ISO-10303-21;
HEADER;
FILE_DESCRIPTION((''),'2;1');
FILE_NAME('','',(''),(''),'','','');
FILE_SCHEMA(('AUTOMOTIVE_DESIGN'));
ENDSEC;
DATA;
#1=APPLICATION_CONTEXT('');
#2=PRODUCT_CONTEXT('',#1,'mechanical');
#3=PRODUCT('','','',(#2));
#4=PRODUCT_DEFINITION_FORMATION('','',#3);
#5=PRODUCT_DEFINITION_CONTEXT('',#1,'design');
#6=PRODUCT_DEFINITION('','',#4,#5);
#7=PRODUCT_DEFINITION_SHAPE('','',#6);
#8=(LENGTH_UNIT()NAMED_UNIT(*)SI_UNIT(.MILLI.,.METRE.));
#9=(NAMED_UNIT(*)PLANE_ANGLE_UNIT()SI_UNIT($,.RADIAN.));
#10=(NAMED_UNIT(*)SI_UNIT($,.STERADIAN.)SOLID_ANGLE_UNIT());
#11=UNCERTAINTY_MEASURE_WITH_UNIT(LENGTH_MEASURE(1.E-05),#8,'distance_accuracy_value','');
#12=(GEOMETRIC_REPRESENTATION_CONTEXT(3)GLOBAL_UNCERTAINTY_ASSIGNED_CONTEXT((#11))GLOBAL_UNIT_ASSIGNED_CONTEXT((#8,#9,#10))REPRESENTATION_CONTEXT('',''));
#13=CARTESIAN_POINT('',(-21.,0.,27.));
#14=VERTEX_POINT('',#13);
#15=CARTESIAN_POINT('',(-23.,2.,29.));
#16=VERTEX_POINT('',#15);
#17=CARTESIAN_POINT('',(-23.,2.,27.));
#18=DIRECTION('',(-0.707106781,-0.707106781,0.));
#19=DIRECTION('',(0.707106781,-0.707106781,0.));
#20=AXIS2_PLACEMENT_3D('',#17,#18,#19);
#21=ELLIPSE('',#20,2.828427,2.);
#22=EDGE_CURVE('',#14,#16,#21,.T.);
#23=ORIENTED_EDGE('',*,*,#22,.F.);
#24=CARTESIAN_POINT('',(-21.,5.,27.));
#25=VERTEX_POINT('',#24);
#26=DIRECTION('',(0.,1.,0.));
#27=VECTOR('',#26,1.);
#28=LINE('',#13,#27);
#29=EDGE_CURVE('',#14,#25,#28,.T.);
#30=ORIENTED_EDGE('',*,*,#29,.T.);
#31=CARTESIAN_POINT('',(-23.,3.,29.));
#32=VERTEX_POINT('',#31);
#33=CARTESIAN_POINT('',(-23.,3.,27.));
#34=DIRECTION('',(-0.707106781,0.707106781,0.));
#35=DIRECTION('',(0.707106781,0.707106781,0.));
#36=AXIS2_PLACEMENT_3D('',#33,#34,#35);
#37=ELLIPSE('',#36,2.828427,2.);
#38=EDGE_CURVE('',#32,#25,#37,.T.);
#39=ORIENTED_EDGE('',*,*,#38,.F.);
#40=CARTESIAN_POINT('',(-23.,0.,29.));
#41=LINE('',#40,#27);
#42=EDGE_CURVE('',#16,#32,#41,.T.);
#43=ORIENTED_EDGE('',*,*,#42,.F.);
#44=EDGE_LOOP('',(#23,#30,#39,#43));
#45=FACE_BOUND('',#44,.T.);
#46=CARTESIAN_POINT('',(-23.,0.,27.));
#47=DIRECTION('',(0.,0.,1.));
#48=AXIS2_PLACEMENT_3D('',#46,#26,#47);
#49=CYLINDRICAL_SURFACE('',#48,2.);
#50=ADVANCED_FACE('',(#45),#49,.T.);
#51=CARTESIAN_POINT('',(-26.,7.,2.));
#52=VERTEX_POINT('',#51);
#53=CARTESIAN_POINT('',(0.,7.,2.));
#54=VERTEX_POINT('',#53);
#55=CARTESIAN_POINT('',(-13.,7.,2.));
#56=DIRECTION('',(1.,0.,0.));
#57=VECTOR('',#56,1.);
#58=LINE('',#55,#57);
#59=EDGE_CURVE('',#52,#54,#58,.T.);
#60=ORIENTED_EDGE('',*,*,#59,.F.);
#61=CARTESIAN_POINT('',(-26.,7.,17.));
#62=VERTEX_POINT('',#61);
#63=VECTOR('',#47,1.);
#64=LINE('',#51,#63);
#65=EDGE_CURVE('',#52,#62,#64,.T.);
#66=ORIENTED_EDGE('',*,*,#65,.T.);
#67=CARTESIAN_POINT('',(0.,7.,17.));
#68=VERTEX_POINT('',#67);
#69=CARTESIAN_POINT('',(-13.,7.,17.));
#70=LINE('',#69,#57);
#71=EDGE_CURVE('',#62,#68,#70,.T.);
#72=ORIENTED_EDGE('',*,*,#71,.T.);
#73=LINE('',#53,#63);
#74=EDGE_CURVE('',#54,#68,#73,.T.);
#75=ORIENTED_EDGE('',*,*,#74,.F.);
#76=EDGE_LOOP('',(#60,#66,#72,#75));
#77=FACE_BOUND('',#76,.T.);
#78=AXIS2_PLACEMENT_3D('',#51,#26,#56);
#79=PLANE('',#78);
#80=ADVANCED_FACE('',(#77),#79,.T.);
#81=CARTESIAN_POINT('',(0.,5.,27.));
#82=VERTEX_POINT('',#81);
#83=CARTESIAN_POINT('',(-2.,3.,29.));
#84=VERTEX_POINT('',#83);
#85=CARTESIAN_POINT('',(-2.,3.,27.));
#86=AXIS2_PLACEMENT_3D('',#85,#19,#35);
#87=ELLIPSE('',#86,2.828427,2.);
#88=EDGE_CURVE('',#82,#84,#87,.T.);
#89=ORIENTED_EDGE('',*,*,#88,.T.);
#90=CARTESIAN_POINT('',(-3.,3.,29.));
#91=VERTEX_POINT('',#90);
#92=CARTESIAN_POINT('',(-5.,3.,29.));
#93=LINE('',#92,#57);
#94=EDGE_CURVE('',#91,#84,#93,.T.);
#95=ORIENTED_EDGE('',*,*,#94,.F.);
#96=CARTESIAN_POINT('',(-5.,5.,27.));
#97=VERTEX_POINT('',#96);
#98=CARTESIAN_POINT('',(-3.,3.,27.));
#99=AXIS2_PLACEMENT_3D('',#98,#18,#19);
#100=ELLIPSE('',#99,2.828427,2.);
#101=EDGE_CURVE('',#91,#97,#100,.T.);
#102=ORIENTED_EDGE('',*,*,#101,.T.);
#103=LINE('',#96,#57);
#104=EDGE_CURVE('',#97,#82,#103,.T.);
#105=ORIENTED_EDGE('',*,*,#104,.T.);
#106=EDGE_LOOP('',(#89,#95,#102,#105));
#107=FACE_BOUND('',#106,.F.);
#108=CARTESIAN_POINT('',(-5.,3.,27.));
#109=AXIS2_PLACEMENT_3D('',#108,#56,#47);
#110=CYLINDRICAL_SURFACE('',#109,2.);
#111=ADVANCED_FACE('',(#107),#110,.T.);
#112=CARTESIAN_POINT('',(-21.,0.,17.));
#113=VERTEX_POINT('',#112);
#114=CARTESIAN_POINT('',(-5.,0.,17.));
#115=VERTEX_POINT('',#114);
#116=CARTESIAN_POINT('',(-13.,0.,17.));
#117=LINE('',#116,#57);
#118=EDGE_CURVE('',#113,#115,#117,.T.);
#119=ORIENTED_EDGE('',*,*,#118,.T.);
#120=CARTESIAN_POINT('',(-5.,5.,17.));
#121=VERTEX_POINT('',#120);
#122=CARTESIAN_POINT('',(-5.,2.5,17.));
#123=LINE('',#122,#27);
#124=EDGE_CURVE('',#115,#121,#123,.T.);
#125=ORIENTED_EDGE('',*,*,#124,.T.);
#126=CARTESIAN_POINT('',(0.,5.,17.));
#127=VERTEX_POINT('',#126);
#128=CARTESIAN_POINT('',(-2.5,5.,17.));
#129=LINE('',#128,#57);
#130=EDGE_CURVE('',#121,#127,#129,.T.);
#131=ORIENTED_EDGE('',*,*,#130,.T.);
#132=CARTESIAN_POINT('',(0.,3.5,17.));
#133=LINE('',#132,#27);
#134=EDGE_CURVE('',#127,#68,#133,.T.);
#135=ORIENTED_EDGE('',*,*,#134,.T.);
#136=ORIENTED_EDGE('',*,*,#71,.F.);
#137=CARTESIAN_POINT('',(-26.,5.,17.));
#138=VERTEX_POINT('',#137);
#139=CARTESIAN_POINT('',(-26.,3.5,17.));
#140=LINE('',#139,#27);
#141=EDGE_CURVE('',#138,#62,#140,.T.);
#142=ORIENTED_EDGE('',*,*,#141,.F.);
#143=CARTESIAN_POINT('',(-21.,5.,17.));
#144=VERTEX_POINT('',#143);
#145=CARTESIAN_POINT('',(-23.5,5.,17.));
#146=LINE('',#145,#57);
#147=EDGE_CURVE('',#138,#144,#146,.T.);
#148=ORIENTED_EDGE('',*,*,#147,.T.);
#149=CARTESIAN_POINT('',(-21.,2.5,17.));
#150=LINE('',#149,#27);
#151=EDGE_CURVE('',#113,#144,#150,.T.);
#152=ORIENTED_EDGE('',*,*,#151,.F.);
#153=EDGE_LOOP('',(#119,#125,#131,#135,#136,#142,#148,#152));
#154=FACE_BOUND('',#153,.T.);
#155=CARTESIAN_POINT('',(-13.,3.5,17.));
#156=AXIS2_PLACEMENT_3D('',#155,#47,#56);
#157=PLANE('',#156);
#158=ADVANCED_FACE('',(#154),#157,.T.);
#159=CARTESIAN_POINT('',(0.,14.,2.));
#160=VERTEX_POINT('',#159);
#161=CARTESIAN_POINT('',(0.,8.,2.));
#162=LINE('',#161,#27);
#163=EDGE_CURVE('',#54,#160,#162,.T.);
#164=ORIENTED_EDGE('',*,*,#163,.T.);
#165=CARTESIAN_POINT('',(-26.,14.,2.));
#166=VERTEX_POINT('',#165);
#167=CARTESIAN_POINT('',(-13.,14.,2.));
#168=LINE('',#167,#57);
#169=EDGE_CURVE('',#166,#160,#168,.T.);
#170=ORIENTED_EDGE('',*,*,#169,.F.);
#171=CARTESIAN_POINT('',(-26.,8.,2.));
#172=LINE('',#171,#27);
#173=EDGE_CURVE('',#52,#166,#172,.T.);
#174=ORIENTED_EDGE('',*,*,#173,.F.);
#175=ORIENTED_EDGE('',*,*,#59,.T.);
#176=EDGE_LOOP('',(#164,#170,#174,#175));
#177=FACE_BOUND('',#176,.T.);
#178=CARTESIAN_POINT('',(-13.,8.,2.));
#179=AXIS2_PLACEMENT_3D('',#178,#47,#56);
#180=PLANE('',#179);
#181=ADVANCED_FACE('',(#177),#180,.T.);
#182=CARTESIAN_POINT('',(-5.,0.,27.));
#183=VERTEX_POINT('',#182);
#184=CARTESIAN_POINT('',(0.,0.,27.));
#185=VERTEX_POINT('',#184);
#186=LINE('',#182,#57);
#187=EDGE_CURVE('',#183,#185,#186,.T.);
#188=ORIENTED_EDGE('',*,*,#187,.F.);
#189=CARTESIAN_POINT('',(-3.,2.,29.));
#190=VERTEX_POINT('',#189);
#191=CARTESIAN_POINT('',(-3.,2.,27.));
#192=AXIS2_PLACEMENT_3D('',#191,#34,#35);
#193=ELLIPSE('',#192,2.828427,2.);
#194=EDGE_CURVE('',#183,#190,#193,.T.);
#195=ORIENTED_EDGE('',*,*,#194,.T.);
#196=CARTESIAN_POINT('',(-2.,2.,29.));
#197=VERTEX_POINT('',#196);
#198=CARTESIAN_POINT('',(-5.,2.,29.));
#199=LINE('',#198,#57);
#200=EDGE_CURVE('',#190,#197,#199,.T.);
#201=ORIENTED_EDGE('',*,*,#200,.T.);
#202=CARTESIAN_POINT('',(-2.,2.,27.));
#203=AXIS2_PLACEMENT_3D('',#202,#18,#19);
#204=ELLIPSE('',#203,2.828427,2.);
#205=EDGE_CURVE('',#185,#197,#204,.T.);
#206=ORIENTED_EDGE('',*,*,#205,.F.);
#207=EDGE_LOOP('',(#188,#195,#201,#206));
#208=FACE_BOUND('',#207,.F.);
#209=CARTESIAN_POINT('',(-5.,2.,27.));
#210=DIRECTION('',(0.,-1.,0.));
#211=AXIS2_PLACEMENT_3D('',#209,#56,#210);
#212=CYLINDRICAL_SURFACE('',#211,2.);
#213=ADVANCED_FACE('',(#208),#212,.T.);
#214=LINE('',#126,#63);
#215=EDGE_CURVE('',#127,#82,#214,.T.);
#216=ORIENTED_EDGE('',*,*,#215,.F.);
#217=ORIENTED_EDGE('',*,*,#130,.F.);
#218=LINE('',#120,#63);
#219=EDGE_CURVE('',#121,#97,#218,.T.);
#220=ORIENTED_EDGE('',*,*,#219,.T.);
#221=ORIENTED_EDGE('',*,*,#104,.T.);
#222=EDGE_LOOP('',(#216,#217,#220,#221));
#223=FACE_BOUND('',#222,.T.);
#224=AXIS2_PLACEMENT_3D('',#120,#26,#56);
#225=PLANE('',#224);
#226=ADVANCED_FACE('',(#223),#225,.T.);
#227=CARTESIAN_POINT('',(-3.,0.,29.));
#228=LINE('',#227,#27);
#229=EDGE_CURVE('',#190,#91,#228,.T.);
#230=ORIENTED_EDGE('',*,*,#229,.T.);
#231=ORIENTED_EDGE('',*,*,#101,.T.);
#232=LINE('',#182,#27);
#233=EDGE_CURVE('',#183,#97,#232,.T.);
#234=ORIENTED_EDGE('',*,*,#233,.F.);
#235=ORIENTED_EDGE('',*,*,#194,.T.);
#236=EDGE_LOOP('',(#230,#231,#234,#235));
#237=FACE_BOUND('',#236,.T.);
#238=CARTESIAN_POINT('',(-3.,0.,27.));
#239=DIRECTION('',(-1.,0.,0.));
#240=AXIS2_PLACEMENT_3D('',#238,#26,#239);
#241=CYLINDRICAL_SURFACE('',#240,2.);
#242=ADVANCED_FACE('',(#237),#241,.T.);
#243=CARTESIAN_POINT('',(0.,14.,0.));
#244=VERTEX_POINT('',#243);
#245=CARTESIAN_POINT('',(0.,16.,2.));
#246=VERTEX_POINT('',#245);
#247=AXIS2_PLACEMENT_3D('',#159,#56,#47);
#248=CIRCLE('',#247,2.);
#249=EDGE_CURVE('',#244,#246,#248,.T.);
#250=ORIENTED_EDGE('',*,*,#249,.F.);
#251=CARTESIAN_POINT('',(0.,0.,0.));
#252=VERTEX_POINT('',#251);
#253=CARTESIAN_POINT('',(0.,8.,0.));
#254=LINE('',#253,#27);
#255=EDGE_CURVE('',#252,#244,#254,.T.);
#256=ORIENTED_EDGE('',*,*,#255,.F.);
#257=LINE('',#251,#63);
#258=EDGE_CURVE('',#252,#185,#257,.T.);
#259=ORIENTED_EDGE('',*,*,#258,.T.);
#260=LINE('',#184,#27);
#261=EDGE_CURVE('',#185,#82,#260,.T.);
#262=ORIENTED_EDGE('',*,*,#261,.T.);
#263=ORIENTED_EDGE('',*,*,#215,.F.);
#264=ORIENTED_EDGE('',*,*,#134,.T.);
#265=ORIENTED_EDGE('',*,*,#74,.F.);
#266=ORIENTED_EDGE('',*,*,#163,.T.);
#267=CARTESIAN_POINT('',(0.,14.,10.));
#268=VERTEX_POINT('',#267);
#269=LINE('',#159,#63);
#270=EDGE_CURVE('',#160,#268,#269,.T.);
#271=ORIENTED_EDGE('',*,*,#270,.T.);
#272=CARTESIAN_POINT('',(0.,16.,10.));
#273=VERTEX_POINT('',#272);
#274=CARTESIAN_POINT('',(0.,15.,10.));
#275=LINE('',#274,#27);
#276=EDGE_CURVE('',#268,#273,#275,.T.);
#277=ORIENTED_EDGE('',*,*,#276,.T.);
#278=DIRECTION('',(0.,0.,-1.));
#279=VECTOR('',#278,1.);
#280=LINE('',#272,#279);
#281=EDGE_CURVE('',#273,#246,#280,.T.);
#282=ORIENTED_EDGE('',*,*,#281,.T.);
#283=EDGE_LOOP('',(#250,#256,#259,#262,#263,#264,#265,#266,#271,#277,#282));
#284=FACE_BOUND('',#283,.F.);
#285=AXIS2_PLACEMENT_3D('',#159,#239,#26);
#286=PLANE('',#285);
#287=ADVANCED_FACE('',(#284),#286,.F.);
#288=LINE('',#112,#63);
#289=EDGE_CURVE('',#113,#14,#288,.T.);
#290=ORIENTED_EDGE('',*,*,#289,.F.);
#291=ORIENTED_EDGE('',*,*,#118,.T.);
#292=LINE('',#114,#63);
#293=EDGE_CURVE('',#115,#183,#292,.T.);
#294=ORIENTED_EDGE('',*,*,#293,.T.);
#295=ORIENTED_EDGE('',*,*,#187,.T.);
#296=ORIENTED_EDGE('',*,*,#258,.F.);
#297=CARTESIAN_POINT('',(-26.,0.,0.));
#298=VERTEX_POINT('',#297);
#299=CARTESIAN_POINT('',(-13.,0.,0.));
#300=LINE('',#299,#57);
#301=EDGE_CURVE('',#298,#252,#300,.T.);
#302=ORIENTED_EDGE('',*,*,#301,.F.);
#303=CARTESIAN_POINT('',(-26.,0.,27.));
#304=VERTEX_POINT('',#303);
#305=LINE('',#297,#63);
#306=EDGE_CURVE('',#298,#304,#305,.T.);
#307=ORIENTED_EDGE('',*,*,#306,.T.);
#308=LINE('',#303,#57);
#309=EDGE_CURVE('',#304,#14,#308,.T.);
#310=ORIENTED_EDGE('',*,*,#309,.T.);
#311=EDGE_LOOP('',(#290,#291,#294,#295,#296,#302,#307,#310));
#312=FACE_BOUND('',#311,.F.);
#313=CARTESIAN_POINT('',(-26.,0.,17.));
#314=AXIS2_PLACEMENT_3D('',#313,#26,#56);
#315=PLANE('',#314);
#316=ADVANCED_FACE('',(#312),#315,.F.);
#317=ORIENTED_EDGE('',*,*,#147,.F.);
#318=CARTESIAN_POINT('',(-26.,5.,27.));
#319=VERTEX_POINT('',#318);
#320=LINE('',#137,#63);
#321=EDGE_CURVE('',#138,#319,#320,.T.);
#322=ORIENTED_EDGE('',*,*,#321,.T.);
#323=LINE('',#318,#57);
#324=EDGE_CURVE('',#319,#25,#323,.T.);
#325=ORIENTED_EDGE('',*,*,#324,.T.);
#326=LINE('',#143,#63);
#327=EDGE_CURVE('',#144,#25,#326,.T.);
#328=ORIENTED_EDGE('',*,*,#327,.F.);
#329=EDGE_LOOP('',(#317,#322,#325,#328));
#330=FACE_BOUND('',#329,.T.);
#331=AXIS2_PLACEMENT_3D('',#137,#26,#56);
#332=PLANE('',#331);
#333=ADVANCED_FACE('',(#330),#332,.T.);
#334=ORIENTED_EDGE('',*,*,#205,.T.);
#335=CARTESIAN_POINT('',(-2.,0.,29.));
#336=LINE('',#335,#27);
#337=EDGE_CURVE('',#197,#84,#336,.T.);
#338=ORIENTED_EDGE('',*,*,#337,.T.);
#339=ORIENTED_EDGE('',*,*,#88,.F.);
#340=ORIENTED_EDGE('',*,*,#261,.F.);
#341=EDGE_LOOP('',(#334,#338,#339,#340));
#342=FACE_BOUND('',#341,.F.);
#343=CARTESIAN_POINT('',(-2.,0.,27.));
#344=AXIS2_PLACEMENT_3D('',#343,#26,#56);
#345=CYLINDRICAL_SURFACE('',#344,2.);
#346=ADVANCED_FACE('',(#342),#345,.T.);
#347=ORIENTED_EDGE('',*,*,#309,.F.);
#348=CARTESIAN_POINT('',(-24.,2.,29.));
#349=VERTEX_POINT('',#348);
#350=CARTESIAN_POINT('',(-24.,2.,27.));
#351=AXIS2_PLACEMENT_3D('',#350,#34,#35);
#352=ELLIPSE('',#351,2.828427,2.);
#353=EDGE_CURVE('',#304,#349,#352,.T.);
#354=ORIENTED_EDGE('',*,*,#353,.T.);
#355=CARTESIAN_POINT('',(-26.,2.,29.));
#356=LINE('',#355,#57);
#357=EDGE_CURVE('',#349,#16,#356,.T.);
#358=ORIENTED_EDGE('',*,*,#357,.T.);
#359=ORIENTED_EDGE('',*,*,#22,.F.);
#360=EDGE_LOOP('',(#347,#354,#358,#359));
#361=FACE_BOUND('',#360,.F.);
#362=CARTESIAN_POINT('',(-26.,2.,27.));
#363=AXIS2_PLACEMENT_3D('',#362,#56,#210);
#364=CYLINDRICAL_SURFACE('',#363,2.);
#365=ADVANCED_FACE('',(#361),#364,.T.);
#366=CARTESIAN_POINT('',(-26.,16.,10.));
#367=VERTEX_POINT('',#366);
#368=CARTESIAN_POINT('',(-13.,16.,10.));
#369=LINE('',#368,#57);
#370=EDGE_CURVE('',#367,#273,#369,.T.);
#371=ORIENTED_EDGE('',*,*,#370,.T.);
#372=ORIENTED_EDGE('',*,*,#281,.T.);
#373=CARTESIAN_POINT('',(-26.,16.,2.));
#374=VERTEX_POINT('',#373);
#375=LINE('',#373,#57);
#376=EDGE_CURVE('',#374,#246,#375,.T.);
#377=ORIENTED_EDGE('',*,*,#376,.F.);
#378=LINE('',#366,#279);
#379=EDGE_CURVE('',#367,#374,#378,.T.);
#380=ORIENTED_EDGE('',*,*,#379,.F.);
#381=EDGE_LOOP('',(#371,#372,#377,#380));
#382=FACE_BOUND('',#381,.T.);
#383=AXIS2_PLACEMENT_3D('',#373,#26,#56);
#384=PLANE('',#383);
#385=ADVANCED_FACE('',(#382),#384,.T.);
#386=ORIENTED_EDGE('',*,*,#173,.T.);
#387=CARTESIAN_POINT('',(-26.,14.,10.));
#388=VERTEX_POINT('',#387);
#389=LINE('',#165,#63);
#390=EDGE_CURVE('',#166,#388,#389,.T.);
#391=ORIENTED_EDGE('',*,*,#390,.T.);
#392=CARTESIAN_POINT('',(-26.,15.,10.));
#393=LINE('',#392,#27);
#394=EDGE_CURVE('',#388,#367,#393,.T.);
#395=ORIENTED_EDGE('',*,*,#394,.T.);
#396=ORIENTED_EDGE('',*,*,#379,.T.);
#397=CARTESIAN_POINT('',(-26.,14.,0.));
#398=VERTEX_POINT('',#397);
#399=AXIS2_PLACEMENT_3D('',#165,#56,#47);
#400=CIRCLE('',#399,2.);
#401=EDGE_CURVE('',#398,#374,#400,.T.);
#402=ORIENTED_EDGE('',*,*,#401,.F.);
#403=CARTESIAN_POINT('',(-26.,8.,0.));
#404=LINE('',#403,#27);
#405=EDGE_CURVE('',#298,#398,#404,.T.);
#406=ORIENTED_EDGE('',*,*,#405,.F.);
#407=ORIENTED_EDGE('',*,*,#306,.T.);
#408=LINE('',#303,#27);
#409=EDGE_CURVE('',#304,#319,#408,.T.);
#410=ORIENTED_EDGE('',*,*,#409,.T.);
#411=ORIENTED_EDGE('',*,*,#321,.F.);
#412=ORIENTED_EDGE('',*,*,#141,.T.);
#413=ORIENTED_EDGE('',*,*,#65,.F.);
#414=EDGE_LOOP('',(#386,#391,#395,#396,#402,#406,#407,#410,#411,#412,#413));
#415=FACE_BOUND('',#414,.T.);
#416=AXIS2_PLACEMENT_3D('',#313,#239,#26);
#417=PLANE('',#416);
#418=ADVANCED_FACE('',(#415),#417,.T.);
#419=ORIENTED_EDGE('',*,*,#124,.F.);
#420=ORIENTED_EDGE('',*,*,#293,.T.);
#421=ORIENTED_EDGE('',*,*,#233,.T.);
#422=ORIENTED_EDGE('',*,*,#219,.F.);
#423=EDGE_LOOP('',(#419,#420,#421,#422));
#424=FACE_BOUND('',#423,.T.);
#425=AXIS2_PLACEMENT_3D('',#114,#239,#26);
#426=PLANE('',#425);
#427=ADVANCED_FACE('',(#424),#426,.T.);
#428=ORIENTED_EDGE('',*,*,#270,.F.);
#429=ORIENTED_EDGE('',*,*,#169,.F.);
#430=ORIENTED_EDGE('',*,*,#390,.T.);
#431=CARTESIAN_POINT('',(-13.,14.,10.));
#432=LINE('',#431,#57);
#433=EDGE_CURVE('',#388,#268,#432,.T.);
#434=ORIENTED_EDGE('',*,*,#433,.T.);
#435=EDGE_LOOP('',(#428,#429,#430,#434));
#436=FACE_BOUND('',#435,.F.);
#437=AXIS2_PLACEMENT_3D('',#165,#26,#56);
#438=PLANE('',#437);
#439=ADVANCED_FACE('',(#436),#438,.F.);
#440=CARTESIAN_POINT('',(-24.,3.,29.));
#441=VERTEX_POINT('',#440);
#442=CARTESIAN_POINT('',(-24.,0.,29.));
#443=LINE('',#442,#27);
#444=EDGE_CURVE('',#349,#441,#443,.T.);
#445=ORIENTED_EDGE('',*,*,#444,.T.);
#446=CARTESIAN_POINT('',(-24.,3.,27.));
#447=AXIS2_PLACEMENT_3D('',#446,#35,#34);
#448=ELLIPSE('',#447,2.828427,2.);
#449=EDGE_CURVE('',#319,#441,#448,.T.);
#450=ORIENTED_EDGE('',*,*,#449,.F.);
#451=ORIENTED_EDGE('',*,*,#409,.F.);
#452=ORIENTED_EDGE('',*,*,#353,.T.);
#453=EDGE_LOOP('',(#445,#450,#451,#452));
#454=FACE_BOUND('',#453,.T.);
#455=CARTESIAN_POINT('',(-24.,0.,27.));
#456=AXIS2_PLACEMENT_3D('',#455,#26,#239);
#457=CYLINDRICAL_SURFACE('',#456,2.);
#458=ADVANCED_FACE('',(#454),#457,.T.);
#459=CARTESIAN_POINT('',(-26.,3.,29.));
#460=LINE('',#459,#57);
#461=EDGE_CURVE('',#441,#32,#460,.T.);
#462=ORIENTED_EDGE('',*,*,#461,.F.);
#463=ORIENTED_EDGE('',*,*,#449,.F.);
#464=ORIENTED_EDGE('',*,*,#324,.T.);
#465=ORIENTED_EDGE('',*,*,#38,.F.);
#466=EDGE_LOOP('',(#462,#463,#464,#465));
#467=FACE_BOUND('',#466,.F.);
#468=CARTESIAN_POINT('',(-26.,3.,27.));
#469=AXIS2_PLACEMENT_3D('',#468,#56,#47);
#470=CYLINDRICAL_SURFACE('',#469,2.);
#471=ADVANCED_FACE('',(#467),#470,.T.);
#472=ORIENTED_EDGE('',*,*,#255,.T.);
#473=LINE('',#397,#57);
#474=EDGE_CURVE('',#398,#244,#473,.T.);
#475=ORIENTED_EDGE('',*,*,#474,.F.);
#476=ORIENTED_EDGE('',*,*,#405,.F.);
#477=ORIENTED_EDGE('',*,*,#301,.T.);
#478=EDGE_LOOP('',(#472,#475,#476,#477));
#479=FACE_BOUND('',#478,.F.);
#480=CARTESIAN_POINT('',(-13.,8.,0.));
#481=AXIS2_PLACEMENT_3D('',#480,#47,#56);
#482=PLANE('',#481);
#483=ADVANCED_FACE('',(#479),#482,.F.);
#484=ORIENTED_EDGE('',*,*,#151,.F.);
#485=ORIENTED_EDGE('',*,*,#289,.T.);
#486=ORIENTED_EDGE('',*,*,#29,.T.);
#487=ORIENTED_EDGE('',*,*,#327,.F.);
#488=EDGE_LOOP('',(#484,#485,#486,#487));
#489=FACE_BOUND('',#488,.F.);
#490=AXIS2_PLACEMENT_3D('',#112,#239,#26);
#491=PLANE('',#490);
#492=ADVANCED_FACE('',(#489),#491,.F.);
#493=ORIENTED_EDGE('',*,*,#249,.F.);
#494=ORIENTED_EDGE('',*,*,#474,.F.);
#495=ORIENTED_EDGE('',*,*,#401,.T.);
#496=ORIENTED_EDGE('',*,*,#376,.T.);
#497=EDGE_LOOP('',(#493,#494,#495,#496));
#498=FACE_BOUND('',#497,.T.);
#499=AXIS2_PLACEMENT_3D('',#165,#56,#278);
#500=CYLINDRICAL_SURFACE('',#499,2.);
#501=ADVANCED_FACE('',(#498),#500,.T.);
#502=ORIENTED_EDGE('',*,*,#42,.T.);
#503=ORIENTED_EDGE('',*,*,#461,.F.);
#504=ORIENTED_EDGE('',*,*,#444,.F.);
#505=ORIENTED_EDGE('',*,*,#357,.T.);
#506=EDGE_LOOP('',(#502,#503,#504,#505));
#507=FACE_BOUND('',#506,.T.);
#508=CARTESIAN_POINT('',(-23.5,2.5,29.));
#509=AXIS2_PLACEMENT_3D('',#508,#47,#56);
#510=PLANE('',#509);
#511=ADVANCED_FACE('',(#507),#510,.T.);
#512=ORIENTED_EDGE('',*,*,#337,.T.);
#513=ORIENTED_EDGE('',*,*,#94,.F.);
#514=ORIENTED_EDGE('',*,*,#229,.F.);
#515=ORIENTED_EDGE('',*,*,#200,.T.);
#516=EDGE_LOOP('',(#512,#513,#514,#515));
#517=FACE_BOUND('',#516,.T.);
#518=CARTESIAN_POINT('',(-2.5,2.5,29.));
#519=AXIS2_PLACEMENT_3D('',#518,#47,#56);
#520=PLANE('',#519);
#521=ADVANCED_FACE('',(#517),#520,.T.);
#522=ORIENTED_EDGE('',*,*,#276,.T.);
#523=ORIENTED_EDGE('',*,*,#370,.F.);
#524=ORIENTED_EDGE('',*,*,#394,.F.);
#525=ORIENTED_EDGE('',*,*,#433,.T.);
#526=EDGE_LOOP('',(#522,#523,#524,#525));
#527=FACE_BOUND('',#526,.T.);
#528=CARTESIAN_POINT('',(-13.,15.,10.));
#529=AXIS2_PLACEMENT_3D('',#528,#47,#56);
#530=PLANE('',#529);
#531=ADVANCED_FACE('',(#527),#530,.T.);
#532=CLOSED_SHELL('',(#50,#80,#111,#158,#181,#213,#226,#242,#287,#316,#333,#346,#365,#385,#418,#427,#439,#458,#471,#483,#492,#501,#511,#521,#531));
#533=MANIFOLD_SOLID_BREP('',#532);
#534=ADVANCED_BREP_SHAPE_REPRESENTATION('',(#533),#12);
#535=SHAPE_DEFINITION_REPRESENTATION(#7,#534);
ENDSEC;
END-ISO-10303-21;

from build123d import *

# Parameters (mm, degrees)
F0_W     = 26
F0_H     = 16
F1_DEPTH = 2
F2_W     = 26
F2_H     = 7
F3_DEPTH = 15
F2_H_2   = 2
F4_DEPTH = 8
F5_W     = 5
F5_H     = 5
F6_DEPTH = 12
F7_R     = 2
F8_R     = 2


with BuildPart() as f1:
    # F0 (on Top) → F1 (new body)
    with BuildSketch(Plane.XY):
        with Locations((-13, 8)):
            Rectangle(F0_W, F0_H)
    extrude(amount=F1_DEPTH)

    # F2 (on face) → F3 (join)
    with BuildSketch(Plane.XY.offset(2)):
        with Locations((-13, 3.5)):
            Rectangle(F2_W, F2_H)
    extrude(amount=F3_DEPTH)

    # F2 (on face) → F4 (join)
    with BuildSketch(Plane.XY.offset(2)):
        with Locations((-13, 15)):
            Rectangle(F2_W, F2_H_2)
    extrude(amount=F4_DEPTH)

    # F5 (on face) → F6 (join)
    with BuildSketch(Plane.XY.offset(17)):
        with Locations((-23.5, 2.5)):
            Rectangle(F5_W, F5_H)
        with Locations((-2.5, 2.5)):
            Rectangle(F5_W, F5_H)
    extrude(amount=F6_DEPTH)

    # F7
    f7_edges = [f1.edges().sort_by_distance(p)[0] for p in [
        (-13, 16, 0),
    ]]
    fillet(f7_edges, radius=F7_R)

    # F8
    f8_edges = [f1.edges().sort_by_distance(p)[0] for p in [
        (-26, 2.5, 29),
        (-23.5, 0, 29),
        (-21, 2.5, 29),
        (-23.5, 5, 29),
        (-2.5, 0, 29),
        (0, 2.5, 29),
        (-2.5, 5, 29),
        (-5, 2.5, 29),
    ]]
    fillet(f8_edges, radius=F8_R)


solid = f1.part
